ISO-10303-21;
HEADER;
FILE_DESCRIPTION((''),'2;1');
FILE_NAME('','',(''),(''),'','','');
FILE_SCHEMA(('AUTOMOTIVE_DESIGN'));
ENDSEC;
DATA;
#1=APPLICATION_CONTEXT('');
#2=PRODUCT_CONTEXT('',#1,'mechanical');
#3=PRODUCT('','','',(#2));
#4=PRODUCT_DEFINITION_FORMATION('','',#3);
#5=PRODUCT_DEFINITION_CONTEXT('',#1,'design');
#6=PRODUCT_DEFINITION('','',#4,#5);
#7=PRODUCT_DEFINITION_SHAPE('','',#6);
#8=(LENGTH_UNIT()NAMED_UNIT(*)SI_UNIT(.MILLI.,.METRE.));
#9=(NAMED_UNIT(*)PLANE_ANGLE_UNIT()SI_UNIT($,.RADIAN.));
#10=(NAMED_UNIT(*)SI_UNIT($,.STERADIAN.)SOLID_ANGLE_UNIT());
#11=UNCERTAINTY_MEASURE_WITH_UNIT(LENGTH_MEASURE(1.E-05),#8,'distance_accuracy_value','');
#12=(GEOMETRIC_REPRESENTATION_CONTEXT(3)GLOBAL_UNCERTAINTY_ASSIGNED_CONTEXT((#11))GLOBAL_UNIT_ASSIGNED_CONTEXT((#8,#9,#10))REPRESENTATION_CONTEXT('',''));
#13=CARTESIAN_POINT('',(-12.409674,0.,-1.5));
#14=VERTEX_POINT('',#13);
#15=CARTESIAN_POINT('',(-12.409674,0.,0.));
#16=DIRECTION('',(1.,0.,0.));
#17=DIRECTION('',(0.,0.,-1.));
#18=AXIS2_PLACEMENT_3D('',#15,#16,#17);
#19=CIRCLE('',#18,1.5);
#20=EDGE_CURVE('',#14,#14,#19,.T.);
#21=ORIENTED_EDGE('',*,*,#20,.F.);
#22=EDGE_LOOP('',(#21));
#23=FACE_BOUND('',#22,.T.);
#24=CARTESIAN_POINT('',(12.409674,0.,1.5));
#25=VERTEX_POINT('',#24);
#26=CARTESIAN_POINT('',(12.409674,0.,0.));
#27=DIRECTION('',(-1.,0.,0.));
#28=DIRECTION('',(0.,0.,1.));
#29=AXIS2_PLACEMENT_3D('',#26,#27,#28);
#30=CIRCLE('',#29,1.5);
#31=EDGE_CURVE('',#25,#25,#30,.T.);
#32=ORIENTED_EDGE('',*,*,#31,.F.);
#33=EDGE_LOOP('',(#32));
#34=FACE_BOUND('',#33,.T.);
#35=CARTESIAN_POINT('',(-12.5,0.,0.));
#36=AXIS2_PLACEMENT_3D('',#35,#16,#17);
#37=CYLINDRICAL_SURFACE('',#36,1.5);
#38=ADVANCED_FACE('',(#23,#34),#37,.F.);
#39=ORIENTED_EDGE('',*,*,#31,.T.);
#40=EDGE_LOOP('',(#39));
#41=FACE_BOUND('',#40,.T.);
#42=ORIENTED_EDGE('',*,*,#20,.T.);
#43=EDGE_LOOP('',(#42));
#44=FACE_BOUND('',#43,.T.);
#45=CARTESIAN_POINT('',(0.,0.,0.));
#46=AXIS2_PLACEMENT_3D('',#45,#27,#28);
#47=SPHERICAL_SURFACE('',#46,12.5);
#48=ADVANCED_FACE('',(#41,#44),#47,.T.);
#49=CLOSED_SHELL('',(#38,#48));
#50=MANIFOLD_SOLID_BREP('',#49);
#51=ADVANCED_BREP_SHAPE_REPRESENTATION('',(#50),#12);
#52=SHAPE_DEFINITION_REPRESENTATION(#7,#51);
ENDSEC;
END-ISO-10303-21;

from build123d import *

# Parameters (mm, degrees)
CUT_EXTRUDE1_DEPTH      = 22.650635095
CUT_EXTRUDE1_DEPTH_BACK = 22.650635095
SKETCH3_R               = 1.5


with BuildPart() as part:
    # Sketch2 → Revolve1 (revolve)
    with BuildSketch(Plane.XY):
        with BuildLine():
            Line((0, 12.5), (0, -12.5))
            ThreePointArc((0, -12.5), (12.5, 0), (0, 12.5))
        make_face()
    revolve(axis=Axis((0, 12.5, 0), (0, -1, 0)))

    # Sketch3 → Cut-Extrude1 (cut, two sides: drawn at the far end of the back side and taken through both)
    with BuildSketch(Plane(origin=(0, 0, 0), x_dir=(0, 0, -1), z_dir=(1, 0, 0)).offset(-CUT_EXTRUDE1_DEPTH_BACK)):
        with Locations(Location((0, 0, 0), (0, 0, 180))):
            Circle(SKETCH3_R)
    extrude(amount=CUT_EXTRUDE1_DEPTH + CUT_EXTRUDE1_DEPTH_BACK, mode=Mode.SUBTRACT)


solid = part.part
